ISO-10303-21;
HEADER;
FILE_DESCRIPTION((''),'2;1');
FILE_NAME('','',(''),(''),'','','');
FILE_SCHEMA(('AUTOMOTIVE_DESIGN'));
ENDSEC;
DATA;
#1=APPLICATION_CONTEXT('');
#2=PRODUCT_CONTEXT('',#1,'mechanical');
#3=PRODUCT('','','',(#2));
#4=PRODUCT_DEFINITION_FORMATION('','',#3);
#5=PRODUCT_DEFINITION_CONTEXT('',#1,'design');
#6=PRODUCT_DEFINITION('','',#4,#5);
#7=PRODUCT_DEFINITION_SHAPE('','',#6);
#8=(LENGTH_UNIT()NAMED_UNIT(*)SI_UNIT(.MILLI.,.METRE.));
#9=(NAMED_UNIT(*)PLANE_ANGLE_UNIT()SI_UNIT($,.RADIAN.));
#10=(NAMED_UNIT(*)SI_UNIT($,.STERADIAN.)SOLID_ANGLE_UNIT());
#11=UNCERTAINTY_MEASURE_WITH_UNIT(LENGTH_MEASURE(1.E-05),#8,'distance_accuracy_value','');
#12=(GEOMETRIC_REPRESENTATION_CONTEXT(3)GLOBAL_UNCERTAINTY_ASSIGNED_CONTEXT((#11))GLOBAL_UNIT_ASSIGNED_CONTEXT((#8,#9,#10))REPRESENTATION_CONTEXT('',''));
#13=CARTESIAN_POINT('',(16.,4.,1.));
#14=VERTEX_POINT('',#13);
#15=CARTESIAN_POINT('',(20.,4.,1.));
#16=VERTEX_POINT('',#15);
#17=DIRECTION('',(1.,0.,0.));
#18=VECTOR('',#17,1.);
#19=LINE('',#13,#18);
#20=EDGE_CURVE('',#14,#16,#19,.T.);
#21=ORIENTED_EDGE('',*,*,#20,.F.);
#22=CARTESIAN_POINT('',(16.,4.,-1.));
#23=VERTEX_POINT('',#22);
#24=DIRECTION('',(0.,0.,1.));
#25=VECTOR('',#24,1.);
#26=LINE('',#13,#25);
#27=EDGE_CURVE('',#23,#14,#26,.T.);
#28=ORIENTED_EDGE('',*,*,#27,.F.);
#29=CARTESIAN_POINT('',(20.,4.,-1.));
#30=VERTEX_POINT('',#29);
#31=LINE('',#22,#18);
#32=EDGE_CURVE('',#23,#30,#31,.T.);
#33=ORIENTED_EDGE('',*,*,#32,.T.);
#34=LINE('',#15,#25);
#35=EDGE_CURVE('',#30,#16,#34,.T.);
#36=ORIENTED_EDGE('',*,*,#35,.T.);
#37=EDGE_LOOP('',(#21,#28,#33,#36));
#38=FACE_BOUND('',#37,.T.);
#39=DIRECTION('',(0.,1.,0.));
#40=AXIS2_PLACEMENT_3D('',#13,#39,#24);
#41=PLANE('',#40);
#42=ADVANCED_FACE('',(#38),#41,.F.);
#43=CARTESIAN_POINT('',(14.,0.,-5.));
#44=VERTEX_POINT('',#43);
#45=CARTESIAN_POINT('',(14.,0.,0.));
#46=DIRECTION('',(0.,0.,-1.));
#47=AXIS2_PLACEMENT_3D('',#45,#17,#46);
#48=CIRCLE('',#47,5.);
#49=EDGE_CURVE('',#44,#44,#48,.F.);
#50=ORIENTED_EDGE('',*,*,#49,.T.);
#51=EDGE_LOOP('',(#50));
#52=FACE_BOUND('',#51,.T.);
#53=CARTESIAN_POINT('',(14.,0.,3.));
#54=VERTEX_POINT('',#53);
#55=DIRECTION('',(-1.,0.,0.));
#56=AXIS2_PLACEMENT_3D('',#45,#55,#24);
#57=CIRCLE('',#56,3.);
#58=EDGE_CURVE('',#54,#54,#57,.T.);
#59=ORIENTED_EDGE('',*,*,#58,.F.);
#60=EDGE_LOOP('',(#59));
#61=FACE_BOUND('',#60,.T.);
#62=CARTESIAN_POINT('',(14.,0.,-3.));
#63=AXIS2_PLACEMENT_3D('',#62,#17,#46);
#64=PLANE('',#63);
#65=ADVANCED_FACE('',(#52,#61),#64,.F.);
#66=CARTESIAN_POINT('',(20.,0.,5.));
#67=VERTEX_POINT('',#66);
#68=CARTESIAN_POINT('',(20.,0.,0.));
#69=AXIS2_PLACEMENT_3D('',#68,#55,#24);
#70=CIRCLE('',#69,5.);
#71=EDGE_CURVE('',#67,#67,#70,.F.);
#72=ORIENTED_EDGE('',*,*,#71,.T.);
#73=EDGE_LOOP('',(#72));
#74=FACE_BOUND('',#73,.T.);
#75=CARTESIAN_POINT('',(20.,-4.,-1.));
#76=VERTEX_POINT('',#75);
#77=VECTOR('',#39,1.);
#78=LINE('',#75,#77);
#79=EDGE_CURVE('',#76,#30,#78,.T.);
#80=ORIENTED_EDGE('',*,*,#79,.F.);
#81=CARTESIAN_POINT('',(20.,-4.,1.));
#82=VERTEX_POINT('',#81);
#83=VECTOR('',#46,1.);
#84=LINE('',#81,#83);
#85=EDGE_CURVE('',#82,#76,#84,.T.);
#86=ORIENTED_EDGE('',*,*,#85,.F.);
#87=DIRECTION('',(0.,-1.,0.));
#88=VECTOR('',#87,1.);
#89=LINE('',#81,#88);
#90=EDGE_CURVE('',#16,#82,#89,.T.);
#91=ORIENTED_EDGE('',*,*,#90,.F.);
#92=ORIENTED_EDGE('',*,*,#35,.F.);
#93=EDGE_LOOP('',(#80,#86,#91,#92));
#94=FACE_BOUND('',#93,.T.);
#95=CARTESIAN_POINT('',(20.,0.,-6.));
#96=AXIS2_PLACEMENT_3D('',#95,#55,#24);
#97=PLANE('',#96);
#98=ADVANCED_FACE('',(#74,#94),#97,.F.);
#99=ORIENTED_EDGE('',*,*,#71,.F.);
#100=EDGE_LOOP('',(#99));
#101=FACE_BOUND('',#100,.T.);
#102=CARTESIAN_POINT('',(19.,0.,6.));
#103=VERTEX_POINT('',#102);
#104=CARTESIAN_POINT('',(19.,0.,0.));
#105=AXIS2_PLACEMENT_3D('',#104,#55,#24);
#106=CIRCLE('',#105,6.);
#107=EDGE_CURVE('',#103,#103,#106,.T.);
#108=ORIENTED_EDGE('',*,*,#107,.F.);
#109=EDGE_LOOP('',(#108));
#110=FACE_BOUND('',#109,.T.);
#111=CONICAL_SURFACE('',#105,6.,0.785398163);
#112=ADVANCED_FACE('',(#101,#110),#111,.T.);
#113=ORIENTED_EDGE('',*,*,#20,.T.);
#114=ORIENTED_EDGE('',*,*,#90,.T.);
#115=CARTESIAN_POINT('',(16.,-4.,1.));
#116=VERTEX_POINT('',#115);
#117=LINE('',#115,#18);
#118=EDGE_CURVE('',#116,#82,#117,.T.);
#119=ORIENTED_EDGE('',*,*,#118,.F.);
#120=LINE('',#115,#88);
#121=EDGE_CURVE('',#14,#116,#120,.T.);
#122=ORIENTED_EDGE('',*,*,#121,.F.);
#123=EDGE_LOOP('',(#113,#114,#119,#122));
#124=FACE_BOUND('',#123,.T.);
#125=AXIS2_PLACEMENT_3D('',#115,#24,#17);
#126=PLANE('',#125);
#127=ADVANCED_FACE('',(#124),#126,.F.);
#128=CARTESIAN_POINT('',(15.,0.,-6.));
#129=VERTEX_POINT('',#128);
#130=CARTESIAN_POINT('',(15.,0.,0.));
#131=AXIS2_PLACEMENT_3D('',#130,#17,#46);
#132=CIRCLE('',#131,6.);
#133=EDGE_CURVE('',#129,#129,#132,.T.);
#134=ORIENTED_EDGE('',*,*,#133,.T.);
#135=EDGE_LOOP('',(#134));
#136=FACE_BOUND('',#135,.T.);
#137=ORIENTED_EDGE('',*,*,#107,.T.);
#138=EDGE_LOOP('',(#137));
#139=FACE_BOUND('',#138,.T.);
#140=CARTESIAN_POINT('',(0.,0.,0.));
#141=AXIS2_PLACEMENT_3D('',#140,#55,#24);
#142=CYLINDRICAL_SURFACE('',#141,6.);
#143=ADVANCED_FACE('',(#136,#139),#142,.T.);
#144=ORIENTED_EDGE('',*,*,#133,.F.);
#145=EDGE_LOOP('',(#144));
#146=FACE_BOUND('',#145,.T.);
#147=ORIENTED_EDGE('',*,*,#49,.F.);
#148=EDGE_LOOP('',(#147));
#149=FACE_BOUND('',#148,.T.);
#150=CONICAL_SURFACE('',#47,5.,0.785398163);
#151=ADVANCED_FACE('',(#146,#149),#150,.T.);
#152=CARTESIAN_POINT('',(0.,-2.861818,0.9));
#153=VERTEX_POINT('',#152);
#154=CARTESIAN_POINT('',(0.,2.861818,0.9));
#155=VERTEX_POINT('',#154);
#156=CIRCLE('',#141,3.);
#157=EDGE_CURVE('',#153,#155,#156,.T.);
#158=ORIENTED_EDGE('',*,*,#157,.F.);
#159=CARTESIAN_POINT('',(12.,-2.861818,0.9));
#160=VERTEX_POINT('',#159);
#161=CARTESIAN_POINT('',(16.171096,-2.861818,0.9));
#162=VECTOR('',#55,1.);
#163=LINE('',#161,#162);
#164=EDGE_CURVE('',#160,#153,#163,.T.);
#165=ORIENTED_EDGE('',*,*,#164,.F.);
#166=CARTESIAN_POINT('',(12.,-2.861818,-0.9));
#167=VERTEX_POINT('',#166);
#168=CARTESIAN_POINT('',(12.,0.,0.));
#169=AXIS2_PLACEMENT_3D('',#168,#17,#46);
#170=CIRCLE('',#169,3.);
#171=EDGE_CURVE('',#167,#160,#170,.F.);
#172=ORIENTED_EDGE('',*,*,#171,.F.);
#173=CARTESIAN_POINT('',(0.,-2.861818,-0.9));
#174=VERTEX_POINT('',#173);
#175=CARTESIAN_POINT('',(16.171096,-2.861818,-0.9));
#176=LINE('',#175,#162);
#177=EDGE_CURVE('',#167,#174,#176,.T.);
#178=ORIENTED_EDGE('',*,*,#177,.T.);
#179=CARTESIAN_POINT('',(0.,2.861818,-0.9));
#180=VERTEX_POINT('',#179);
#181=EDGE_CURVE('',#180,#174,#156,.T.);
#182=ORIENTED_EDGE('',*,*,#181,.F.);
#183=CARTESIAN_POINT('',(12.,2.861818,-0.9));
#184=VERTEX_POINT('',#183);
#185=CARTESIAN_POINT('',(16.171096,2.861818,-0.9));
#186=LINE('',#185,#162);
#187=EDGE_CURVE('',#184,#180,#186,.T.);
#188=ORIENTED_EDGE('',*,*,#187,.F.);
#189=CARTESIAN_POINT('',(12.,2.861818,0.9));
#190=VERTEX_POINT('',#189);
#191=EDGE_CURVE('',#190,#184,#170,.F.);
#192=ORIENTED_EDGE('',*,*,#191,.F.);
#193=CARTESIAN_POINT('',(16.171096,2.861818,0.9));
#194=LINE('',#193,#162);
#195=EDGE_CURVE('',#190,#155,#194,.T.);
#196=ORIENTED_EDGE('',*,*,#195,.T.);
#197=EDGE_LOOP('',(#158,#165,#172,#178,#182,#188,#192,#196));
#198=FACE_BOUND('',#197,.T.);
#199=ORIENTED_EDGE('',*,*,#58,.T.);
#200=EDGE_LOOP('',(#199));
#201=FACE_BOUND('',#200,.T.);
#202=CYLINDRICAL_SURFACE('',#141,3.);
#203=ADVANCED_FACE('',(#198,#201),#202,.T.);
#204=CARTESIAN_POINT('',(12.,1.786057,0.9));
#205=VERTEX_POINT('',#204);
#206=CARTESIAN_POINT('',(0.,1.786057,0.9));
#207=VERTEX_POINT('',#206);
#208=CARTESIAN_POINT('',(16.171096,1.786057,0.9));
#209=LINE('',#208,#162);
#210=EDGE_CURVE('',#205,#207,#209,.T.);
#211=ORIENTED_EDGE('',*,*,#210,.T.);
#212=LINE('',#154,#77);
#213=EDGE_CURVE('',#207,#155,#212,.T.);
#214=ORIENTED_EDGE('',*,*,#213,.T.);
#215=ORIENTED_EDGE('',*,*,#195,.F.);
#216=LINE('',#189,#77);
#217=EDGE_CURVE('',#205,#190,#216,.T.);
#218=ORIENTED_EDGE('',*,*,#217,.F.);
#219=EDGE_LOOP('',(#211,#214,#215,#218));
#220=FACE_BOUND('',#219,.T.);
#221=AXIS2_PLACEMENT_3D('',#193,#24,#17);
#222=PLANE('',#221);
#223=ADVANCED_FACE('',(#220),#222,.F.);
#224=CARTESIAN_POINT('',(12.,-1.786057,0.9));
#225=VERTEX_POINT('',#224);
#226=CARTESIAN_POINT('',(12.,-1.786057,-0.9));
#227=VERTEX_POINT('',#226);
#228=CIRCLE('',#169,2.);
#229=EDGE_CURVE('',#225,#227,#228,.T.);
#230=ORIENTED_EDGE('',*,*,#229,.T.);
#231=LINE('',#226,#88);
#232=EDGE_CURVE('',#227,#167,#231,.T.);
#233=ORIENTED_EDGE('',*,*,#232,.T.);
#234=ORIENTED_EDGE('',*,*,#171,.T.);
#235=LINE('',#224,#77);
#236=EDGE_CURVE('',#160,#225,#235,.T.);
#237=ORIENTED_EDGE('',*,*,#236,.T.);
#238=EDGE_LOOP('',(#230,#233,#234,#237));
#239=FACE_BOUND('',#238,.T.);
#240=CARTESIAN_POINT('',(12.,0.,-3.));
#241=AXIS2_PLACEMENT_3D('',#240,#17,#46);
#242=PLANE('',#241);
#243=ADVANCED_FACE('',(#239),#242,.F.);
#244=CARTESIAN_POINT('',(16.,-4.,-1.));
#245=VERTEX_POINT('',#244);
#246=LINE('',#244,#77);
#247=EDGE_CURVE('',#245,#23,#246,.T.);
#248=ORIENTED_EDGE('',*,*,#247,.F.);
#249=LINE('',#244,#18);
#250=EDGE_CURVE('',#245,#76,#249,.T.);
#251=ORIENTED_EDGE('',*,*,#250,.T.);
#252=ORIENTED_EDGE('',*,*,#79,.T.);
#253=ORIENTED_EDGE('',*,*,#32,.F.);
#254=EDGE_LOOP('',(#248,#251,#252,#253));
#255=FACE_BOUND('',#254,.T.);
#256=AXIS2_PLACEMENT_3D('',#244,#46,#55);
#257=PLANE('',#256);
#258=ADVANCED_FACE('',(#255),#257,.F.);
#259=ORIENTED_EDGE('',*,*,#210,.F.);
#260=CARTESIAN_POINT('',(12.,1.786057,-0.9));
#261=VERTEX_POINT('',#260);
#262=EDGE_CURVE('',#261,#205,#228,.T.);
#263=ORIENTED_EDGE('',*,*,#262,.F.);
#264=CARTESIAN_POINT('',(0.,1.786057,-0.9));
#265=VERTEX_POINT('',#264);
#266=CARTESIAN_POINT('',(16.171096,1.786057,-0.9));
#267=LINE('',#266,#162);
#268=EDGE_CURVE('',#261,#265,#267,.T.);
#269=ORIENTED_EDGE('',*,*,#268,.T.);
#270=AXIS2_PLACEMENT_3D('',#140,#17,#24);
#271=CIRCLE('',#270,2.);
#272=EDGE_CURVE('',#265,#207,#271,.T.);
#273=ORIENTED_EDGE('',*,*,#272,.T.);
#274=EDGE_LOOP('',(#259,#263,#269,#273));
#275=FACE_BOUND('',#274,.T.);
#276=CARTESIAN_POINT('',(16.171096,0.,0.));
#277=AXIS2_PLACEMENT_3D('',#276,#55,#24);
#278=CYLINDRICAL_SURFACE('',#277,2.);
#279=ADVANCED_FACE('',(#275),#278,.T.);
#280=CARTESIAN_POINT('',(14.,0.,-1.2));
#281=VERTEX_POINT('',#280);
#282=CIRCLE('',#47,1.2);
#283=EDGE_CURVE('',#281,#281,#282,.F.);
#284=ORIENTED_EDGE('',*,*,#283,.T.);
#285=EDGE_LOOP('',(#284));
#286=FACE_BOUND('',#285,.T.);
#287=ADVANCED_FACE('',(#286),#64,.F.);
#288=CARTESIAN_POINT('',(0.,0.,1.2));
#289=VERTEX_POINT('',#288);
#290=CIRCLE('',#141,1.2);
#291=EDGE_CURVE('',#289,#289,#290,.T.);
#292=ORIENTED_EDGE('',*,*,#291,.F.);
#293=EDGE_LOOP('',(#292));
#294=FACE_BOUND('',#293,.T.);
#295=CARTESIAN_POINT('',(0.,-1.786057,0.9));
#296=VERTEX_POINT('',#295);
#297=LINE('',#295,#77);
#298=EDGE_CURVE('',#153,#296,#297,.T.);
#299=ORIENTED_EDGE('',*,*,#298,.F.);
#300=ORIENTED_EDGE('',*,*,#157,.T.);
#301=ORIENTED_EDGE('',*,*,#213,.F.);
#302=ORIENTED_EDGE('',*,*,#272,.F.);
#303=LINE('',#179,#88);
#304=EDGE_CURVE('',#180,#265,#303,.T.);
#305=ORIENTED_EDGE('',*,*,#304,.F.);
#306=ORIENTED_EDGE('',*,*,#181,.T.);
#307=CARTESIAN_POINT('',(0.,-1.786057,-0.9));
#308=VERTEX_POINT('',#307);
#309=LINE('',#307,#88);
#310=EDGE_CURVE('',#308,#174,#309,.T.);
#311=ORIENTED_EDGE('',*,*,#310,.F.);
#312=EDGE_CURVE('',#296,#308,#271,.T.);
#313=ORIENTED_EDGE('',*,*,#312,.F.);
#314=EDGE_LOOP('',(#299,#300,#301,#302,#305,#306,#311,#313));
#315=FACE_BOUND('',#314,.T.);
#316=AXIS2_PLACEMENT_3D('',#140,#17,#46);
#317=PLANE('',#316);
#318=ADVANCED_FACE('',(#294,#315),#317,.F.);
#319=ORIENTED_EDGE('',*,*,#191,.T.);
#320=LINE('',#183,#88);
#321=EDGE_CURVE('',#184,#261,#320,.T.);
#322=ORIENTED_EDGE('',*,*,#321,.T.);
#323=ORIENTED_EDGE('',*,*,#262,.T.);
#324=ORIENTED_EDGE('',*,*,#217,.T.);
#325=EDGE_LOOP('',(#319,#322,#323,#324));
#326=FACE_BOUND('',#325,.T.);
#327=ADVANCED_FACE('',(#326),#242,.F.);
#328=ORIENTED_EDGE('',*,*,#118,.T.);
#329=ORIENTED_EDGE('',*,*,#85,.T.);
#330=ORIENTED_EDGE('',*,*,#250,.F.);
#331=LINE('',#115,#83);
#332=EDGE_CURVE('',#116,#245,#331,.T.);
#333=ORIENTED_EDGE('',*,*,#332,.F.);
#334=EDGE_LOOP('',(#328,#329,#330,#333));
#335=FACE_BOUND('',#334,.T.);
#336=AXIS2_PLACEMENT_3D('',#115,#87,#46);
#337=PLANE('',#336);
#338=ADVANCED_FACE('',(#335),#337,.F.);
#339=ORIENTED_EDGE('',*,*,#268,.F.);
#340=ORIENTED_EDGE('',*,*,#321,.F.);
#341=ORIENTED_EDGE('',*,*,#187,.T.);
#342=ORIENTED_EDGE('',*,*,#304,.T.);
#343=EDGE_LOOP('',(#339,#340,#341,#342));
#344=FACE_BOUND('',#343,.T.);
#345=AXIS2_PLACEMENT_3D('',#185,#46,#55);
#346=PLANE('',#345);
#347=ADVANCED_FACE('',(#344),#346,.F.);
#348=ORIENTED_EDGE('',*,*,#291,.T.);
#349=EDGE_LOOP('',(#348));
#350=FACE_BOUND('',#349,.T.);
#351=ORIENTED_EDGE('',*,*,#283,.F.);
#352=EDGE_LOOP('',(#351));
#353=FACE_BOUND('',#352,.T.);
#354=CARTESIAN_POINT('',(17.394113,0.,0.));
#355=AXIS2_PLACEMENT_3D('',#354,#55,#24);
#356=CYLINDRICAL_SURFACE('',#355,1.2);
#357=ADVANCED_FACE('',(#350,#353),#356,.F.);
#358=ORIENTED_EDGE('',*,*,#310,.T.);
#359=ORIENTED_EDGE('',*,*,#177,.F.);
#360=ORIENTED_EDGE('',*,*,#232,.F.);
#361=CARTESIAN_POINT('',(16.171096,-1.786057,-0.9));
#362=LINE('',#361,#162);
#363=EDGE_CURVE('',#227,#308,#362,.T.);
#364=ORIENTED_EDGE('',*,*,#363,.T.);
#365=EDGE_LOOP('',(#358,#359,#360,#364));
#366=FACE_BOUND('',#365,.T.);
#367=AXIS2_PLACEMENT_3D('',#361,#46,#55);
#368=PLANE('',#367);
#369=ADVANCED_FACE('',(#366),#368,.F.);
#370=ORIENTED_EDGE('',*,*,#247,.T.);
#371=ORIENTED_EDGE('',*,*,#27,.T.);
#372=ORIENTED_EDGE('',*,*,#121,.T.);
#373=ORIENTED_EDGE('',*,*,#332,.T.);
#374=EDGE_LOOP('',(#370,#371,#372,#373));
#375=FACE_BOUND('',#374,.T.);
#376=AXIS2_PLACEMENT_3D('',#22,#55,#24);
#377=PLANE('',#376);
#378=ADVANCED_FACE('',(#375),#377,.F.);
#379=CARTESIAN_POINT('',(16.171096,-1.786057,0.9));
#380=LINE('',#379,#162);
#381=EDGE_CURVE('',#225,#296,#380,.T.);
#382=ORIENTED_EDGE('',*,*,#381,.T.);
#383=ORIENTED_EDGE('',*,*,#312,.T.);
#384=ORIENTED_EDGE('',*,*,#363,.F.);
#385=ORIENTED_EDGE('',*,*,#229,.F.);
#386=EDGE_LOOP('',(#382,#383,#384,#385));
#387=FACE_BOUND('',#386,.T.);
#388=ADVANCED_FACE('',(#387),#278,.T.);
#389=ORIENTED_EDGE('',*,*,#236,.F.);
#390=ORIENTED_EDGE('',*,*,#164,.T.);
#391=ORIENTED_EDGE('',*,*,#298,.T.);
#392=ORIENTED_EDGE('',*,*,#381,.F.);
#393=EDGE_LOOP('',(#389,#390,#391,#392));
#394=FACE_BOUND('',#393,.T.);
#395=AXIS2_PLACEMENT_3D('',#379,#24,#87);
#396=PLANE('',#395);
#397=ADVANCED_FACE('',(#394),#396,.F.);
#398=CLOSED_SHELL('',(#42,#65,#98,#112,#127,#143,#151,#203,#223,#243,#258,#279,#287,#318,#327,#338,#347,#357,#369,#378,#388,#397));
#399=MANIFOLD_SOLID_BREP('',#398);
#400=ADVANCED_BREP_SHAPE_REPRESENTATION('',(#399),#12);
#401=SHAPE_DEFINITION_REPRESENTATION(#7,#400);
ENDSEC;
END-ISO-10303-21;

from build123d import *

# Parameters (mm, degrees)
SKETCH3_R          = 1.2
CUT_EXTRUDE1_DEPTH = 14
SKETCH4_W          = 2
SKETCH4_H          = 8
CUT_EXTRUDE2_DEPTH = 4
CHAMFER1_SIZE      = 1
CUT_EXTRUDE3_START = -12
CUT_EXTRUDE3_DEPTH = 12


with BuildPart() as part:
    # Sketch2 → Revolve1 (revolve)
    with BuildSketch(Plane(origin=(0, 0, 0), x_dir=(1, 0, 0), z_dir=(0, 1, 0)), mode=Mode.PRIVATE) as revolve1_sk:
        Polygon((0, 0), (0, 3), (14, 3), (14, 6), (20, 6), (20, 0), align=None)
    revolve(revolve1_sk.sketch.rotate(Axis((0, 0, 0), (1, 0, 0)), 180), axis=Axis((0, 0, 0), (1, 0, 0)))

    # Sketch3 → Cut-Extrude1 (cut)
    with BuildSketch(Plane.ZY):
        Circle(SKETCH3_R)
    extrude(amount=-CUT_EXTRUDE1_DEPTH, mode=Mode.SUBTRACT)

    # Sketch4 → Cut-Extrude2 (cut)
    with BuildSketch(Plane(origin=(20, 0, 0), x_dir=(0, 0, -1), z_dir=(1, 0, 0))):
        Rectangle(SKETCH4_W, SKETCH4_H)
    extrude(amount=-CUT_EXTRUDE2_DEPTH, mode=Mode.SUBTRACT)

    # Chamfer1
    chamfer1_edges = [part.edges().sort_by_distance(p)[0] for p in [
        (20, 0, -6),
        (14, 0, -6),
    ]]
    chamfer(chamfer1_edges, length=CHAMFER1_SIZE)

    # Sketch5 → Cut-Extrude3 (cut)
    with BuildSketch(Plane.ZY.offset(CUT_EXTRUDE3_START)):
        with BuildLine():
            Line((-0.9, 2.861817604), (-0.9, 1.78605711))
            ThreePointArc((-0.9, 1.78605711), (0, 2), (0.9, 1.78605711))
            Line((0.9, 1.78605711), (0.9, 2.861817604))
            ThreePointArc((0.9, 2.861817604), (0, 3), (-0.9, 2.861817604))
        make_face()
        with BuildLine():
            Line((-0.9, -1.78605711), (-0.9, -2.861817604))
            ThreePointArc((-0.9, -2.861817604), (0, -3), (0.9, -2.861817604))
            Line((0.9, -2.861817604), (0.9, -1.78605711))
            ThreePointArc((0.9, -1.78605711), (0, -2), (-0.9, -1.78605711))
        make_face()
    extrude(amount=CUT_EXTRUDE3_DEPTH, mode=Mode.SUBTRACT)


solid = part.part
